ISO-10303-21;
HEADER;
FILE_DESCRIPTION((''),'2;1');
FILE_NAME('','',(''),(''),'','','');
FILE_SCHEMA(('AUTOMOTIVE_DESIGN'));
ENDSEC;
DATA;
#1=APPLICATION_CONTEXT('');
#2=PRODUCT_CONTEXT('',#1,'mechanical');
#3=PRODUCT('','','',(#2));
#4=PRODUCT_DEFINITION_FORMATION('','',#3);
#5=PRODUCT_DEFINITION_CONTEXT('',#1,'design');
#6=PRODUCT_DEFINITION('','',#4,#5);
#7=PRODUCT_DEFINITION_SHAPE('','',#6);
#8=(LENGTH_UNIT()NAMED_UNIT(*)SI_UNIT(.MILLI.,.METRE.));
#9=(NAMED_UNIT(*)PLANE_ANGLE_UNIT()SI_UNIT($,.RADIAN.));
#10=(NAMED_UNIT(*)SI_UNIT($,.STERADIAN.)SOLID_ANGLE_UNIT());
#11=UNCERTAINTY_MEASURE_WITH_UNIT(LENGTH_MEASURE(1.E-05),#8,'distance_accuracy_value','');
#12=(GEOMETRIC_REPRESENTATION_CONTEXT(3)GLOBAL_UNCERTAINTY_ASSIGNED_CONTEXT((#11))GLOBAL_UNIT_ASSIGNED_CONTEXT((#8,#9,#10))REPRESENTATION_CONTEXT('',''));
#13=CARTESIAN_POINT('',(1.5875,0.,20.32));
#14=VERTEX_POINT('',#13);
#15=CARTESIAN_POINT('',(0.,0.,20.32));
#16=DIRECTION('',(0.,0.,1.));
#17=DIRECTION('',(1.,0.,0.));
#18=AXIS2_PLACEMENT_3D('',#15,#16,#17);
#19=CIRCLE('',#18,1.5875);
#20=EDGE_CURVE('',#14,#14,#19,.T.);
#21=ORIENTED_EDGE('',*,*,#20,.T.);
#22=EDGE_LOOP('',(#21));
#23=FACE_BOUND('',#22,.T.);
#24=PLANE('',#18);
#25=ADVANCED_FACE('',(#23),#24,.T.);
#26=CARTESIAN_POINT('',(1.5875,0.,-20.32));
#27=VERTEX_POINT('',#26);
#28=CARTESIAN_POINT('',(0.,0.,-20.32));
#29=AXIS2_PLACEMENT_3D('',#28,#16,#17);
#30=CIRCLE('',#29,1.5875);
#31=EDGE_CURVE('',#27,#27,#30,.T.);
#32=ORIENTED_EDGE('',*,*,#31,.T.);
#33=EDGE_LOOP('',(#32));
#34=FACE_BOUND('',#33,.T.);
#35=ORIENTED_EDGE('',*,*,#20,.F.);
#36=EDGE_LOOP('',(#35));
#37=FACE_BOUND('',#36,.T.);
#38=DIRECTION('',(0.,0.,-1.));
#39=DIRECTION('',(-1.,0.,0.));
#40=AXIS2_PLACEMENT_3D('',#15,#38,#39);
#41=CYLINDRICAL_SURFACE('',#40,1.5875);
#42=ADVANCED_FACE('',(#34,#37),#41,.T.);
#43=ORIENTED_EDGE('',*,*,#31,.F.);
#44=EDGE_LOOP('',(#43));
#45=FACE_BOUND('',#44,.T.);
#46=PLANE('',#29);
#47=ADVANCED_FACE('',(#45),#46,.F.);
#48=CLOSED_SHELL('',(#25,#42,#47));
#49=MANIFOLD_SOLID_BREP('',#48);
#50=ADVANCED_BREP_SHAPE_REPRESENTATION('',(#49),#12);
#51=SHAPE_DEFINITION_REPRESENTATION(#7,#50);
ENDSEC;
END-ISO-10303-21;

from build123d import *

# Parameters (mm, degrees)
SKETCH1_R           = 1.5875
BOSS_EXTRUDE1_DEPTH = 20.32


with BuildPart() as part:
    # Sketch1 → Boss-Extrude1 (new body, symmetric)
    with BuildSketch(Plane.XY):
        Circle(SKETCH1_R)
    extrude(amount=BOSS_EXTRUDE1_DEPTH, both=True)


solid = part.part
